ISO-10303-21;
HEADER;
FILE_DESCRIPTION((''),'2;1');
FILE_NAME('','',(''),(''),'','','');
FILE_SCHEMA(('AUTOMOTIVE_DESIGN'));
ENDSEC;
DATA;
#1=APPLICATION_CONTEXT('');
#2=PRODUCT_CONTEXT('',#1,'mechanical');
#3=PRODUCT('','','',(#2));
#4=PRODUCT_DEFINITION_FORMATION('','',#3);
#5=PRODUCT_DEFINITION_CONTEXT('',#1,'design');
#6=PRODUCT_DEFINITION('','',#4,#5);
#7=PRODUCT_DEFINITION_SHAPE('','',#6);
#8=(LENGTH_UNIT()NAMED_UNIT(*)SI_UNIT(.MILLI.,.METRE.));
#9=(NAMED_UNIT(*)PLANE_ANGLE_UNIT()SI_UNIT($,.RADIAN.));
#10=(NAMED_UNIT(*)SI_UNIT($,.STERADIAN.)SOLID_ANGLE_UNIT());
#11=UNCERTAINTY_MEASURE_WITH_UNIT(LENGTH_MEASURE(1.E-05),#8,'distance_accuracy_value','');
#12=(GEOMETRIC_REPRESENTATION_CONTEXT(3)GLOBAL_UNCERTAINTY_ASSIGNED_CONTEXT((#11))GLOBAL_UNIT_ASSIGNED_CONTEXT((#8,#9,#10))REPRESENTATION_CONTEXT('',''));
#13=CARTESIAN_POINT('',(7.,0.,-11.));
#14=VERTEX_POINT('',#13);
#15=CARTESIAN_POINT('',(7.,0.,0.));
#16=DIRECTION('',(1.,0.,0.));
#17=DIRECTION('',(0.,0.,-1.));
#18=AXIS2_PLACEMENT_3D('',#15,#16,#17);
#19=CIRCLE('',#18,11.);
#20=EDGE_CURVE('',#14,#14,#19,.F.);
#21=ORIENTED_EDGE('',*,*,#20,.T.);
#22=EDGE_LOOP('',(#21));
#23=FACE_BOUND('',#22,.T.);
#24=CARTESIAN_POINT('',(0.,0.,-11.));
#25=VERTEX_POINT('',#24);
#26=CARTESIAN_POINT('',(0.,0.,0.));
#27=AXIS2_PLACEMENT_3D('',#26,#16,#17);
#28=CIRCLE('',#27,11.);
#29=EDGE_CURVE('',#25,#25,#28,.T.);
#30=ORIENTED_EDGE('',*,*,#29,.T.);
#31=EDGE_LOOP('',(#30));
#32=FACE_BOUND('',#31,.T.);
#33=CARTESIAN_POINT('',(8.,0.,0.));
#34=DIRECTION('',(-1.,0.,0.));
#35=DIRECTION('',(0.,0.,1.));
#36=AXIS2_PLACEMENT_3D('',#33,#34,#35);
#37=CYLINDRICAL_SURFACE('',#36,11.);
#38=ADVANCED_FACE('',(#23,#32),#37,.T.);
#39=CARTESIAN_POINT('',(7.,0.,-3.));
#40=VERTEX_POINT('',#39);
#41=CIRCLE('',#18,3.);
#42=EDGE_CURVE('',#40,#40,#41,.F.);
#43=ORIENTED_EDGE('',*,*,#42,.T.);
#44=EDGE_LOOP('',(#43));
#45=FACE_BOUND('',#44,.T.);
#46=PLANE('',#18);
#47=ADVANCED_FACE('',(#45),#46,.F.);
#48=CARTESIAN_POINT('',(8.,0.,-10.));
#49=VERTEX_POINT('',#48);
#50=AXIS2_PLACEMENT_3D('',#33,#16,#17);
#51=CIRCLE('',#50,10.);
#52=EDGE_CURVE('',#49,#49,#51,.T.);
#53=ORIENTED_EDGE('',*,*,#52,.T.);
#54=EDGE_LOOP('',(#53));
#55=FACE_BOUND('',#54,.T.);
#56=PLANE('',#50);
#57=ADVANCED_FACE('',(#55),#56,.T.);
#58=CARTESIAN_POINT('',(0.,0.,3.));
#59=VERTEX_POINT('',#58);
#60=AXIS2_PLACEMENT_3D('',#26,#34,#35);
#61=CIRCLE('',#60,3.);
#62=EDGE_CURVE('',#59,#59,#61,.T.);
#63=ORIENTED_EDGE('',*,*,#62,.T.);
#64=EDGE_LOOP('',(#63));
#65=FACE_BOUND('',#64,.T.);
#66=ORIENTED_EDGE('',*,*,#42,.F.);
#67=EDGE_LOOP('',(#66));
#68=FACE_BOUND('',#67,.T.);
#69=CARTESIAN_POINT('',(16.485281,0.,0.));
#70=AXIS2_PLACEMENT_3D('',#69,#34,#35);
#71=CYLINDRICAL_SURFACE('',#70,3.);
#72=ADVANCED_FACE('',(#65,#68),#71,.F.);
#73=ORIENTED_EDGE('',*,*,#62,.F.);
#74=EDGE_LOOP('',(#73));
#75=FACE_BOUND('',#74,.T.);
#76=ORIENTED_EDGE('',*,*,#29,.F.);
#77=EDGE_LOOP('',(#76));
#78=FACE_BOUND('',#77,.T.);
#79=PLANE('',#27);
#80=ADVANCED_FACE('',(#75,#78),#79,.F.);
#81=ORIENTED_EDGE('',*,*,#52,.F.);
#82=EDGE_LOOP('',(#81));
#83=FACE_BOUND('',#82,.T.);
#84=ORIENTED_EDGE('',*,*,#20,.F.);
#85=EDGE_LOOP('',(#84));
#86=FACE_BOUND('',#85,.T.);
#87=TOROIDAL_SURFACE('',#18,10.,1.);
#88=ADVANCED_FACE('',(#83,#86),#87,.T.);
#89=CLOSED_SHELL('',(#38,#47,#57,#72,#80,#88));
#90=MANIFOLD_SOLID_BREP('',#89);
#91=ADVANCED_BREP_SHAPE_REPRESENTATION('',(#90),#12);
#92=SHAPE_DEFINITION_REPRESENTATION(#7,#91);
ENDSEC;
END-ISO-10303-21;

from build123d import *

# Parameters (mm, degrees)
SKETCH1_R           = 11
BOSS_EXTRUDE1_DEPTH = 8
SKETCH2_R           = 3
CUT_EXTRUDE1_DEPTH  = 7
FILLET1_R           = 1


with BuildPart() as part:
    # Sketch1 → Boss-Extrude1 (new body)
    with BuildSketch(Plane(origin=(0, 0, 0), x_dir=(0, 0, -1), z_dir=(1, 0, 0))):
        Circle(SKETCH1_R)
    extrude(amount=BOSS_EXTRUDE1_DEPTH)

    # Sketch2 → Cut-Extrude1 (cut)
    with BuildSketch(Plane.ZY):
        Circle(SKETCH2_R)
    extrude(amount=-CUT_EXTRUDE1_DEPTH, mode=Mode.SUBTRACT)

    # Fillet1
    fillet1_edges = [part.edges().sort_by_distance(p)[0] for p in [
        (8, 0, 11),
    ]]
    fillet(fillet1_edges, radius=FILLET1_R)


solid = part.part
